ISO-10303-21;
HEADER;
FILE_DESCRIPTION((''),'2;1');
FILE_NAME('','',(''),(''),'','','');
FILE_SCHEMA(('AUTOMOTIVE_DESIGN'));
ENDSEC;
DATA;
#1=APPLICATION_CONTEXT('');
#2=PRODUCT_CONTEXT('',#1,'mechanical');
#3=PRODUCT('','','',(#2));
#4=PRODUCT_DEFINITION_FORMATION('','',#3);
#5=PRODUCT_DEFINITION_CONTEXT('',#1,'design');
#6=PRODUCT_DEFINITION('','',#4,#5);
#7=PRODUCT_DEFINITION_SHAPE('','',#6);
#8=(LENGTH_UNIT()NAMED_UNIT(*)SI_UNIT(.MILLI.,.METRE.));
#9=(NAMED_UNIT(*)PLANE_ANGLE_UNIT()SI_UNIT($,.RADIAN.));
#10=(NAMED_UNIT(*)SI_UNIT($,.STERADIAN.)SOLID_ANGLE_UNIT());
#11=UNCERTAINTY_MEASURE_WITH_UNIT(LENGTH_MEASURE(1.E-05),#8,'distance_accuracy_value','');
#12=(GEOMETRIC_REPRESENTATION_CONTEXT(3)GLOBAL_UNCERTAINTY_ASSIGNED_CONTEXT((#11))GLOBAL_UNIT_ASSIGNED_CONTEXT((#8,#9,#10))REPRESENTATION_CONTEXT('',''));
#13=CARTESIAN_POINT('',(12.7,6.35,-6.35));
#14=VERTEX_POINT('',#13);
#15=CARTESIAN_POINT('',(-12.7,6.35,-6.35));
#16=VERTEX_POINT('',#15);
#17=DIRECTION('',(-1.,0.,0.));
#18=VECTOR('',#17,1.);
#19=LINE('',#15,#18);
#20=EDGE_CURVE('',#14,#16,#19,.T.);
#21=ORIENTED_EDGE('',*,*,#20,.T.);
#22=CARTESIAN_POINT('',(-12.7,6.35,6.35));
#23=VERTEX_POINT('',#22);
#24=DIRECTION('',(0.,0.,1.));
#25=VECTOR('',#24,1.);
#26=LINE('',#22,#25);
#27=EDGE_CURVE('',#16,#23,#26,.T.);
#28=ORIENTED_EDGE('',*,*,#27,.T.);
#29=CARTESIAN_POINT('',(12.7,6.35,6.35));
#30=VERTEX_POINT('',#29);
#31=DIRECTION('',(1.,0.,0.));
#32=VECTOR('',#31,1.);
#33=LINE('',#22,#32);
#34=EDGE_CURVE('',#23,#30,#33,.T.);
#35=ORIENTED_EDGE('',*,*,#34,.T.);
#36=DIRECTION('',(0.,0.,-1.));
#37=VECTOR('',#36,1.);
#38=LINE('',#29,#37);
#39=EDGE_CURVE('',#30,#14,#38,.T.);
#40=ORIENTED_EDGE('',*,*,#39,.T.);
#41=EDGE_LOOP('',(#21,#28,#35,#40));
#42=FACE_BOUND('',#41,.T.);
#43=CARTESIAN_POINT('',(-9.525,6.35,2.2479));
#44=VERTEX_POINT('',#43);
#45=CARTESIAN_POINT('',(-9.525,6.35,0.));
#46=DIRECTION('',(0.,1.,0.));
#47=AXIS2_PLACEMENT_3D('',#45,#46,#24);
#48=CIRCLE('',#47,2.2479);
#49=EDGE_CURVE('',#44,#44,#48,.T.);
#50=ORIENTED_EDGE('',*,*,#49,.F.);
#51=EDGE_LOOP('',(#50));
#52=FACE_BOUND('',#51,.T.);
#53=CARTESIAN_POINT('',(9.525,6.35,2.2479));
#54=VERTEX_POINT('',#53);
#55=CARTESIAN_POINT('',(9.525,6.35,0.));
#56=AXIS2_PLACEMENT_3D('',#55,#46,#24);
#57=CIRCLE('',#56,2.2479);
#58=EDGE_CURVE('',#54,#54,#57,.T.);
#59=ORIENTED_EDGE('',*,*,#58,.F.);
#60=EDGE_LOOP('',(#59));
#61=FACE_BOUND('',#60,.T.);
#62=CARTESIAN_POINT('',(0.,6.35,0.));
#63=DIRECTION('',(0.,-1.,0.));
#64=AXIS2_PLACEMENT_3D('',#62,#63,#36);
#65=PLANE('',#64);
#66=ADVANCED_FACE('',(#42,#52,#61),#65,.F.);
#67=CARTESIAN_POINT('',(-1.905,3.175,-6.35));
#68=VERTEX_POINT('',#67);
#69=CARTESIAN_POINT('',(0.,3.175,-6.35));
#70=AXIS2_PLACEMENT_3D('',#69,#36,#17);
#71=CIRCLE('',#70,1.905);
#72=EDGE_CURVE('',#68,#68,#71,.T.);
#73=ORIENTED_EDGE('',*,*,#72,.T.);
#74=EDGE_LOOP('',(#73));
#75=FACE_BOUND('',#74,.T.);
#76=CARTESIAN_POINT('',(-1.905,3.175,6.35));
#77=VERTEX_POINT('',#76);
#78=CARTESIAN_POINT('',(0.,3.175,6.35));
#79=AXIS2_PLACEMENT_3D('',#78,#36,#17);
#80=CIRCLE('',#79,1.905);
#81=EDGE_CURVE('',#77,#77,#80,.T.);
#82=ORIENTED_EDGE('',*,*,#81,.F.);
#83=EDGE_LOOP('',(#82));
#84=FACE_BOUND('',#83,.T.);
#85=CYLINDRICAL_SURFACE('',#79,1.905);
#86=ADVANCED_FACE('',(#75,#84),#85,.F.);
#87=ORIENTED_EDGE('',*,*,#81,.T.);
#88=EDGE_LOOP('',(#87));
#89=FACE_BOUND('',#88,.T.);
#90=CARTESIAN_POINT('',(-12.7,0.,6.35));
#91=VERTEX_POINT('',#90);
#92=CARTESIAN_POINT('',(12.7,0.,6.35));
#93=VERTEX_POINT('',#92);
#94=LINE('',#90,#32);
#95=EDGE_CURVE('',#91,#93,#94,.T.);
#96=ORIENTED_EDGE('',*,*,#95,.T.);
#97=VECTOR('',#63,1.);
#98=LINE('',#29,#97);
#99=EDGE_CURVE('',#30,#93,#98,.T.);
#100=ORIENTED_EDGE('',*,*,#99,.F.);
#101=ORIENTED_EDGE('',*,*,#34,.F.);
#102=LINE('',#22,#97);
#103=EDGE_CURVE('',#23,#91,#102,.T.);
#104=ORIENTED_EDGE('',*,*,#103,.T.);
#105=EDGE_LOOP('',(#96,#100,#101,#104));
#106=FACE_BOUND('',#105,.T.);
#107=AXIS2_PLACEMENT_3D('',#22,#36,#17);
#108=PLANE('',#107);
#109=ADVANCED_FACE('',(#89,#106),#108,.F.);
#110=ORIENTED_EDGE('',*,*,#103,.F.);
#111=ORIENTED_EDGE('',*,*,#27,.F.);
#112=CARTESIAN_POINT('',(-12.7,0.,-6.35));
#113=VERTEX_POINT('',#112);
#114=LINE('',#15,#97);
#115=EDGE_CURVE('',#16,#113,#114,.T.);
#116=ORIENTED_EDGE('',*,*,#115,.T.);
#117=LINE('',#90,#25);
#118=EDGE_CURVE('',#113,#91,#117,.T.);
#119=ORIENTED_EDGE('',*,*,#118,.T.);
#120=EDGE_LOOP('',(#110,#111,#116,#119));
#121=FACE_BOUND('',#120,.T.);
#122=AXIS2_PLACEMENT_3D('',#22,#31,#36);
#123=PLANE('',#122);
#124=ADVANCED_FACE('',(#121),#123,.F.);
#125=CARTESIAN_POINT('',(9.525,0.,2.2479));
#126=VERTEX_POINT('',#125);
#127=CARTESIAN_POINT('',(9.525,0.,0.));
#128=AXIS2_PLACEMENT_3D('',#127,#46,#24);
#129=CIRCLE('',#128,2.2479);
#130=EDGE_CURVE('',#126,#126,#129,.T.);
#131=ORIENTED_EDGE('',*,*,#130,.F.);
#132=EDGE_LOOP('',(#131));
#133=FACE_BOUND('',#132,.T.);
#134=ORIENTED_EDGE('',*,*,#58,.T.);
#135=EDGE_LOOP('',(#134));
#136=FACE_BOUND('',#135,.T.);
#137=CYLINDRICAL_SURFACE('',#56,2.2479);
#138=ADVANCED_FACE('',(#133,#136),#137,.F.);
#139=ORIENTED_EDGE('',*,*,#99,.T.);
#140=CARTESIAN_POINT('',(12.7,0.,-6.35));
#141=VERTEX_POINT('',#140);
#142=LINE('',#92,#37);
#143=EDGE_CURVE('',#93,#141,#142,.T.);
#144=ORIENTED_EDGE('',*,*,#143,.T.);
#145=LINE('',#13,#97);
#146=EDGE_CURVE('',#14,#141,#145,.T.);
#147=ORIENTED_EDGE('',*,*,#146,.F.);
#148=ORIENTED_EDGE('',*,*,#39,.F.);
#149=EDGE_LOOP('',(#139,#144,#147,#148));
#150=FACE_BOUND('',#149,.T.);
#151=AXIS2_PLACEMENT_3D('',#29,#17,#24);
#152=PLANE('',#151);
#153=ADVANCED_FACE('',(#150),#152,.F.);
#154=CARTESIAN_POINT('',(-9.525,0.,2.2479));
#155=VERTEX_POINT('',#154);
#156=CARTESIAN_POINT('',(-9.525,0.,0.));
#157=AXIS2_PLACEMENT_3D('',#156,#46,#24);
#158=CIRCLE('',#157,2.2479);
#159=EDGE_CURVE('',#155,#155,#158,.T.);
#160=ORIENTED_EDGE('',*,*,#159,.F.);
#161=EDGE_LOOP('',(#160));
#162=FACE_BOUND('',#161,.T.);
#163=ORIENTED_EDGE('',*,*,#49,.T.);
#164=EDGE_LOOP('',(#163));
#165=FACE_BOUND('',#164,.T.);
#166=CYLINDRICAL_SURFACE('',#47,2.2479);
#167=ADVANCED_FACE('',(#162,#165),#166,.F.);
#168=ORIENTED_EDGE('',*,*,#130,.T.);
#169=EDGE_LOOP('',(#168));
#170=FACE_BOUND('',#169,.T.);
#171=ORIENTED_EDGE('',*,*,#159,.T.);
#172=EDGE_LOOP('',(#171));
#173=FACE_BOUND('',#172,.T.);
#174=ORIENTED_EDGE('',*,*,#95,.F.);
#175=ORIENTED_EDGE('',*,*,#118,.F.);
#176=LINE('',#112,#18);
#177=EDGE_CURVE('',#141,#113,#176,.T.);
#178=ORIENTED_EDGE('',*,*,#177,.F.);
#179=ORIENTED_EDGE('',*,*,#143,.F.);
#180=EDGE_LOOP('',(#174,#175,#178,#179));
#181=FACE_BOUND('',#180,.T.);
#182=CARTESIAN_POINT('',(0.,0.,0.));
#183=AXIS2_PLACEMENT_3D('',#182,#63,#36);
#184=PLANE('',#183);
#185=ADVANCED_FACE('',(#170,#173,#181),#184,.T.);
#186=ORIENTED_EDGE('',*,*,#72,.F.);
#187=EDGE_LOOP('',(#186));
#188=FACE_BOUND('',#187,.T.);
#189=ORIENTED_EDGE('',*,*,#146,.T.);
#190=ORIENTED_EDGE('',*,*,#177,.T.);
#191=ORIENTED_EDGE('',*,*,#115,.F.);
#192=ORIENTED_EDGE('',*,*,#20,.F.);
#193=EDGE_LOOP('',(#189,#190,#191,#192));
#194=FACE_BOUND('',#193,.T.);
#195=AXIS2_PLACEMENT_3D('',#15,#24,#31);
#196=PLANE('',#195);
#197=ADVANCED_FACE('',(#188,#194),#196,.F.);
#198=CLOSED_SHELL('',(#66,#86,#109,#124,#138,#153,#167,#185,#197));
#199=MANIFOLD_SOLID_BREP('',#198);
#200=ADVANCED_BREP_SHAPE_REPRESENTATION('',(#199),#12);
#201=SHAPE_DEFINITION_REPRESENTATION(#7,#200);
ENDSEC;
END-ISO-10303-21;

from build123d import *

# Parameters (mm, degrees)
SKETCH1_W             = 25.4
SKETCH1_H             = 12.7
BOSS_EXTRUDE1_DEPTH   = 6.35
SKETCH2_R             = 1.905
CUT_EXTRUDE1_DEPTH    = 20.05
F_8_CLEARANCE_HOLE1_D = 4.4958


with BuildPart() as part:
    # Sketch1 → Boss-Extrude1 (new body)
    with BuildSketch(Plane(origin=(0, 0, 0), x_dir=(1, 0, 0), z_dir=(0, 1, 0))):
        Rectangle(SKETCH1_W, SKETCH1_H)
    extrude(amount=BOSS_EXTRUDE1_DEPTH)

    # Sketch2 → Cut-Extrude1 (cut, through all)
    with BuildSketch(Plane(origin=(0, 0, -6.35), x_dir=(-1, 0, 0), z_dir=(0, 0, -1))):
        with Locations((0, 3.175)):
            Circle(SKETCH2_R)
    extrude(amount=-CUT_EXTRUDE1_DEPTH, mode=Mode.SUBTRACT)

    # #8 Clearance Hole1 (through all)
    with Locations(Plane(origin=(0, 6.35, 0), x_dir=(1, 0, 0), z_dir=(0, 1, 0))):
        with Locations((9.525, 0), (-9.525, 0)):
            Hole(F_8_CLEARANCE_HOLE1_D / 2)


solid = part.part
